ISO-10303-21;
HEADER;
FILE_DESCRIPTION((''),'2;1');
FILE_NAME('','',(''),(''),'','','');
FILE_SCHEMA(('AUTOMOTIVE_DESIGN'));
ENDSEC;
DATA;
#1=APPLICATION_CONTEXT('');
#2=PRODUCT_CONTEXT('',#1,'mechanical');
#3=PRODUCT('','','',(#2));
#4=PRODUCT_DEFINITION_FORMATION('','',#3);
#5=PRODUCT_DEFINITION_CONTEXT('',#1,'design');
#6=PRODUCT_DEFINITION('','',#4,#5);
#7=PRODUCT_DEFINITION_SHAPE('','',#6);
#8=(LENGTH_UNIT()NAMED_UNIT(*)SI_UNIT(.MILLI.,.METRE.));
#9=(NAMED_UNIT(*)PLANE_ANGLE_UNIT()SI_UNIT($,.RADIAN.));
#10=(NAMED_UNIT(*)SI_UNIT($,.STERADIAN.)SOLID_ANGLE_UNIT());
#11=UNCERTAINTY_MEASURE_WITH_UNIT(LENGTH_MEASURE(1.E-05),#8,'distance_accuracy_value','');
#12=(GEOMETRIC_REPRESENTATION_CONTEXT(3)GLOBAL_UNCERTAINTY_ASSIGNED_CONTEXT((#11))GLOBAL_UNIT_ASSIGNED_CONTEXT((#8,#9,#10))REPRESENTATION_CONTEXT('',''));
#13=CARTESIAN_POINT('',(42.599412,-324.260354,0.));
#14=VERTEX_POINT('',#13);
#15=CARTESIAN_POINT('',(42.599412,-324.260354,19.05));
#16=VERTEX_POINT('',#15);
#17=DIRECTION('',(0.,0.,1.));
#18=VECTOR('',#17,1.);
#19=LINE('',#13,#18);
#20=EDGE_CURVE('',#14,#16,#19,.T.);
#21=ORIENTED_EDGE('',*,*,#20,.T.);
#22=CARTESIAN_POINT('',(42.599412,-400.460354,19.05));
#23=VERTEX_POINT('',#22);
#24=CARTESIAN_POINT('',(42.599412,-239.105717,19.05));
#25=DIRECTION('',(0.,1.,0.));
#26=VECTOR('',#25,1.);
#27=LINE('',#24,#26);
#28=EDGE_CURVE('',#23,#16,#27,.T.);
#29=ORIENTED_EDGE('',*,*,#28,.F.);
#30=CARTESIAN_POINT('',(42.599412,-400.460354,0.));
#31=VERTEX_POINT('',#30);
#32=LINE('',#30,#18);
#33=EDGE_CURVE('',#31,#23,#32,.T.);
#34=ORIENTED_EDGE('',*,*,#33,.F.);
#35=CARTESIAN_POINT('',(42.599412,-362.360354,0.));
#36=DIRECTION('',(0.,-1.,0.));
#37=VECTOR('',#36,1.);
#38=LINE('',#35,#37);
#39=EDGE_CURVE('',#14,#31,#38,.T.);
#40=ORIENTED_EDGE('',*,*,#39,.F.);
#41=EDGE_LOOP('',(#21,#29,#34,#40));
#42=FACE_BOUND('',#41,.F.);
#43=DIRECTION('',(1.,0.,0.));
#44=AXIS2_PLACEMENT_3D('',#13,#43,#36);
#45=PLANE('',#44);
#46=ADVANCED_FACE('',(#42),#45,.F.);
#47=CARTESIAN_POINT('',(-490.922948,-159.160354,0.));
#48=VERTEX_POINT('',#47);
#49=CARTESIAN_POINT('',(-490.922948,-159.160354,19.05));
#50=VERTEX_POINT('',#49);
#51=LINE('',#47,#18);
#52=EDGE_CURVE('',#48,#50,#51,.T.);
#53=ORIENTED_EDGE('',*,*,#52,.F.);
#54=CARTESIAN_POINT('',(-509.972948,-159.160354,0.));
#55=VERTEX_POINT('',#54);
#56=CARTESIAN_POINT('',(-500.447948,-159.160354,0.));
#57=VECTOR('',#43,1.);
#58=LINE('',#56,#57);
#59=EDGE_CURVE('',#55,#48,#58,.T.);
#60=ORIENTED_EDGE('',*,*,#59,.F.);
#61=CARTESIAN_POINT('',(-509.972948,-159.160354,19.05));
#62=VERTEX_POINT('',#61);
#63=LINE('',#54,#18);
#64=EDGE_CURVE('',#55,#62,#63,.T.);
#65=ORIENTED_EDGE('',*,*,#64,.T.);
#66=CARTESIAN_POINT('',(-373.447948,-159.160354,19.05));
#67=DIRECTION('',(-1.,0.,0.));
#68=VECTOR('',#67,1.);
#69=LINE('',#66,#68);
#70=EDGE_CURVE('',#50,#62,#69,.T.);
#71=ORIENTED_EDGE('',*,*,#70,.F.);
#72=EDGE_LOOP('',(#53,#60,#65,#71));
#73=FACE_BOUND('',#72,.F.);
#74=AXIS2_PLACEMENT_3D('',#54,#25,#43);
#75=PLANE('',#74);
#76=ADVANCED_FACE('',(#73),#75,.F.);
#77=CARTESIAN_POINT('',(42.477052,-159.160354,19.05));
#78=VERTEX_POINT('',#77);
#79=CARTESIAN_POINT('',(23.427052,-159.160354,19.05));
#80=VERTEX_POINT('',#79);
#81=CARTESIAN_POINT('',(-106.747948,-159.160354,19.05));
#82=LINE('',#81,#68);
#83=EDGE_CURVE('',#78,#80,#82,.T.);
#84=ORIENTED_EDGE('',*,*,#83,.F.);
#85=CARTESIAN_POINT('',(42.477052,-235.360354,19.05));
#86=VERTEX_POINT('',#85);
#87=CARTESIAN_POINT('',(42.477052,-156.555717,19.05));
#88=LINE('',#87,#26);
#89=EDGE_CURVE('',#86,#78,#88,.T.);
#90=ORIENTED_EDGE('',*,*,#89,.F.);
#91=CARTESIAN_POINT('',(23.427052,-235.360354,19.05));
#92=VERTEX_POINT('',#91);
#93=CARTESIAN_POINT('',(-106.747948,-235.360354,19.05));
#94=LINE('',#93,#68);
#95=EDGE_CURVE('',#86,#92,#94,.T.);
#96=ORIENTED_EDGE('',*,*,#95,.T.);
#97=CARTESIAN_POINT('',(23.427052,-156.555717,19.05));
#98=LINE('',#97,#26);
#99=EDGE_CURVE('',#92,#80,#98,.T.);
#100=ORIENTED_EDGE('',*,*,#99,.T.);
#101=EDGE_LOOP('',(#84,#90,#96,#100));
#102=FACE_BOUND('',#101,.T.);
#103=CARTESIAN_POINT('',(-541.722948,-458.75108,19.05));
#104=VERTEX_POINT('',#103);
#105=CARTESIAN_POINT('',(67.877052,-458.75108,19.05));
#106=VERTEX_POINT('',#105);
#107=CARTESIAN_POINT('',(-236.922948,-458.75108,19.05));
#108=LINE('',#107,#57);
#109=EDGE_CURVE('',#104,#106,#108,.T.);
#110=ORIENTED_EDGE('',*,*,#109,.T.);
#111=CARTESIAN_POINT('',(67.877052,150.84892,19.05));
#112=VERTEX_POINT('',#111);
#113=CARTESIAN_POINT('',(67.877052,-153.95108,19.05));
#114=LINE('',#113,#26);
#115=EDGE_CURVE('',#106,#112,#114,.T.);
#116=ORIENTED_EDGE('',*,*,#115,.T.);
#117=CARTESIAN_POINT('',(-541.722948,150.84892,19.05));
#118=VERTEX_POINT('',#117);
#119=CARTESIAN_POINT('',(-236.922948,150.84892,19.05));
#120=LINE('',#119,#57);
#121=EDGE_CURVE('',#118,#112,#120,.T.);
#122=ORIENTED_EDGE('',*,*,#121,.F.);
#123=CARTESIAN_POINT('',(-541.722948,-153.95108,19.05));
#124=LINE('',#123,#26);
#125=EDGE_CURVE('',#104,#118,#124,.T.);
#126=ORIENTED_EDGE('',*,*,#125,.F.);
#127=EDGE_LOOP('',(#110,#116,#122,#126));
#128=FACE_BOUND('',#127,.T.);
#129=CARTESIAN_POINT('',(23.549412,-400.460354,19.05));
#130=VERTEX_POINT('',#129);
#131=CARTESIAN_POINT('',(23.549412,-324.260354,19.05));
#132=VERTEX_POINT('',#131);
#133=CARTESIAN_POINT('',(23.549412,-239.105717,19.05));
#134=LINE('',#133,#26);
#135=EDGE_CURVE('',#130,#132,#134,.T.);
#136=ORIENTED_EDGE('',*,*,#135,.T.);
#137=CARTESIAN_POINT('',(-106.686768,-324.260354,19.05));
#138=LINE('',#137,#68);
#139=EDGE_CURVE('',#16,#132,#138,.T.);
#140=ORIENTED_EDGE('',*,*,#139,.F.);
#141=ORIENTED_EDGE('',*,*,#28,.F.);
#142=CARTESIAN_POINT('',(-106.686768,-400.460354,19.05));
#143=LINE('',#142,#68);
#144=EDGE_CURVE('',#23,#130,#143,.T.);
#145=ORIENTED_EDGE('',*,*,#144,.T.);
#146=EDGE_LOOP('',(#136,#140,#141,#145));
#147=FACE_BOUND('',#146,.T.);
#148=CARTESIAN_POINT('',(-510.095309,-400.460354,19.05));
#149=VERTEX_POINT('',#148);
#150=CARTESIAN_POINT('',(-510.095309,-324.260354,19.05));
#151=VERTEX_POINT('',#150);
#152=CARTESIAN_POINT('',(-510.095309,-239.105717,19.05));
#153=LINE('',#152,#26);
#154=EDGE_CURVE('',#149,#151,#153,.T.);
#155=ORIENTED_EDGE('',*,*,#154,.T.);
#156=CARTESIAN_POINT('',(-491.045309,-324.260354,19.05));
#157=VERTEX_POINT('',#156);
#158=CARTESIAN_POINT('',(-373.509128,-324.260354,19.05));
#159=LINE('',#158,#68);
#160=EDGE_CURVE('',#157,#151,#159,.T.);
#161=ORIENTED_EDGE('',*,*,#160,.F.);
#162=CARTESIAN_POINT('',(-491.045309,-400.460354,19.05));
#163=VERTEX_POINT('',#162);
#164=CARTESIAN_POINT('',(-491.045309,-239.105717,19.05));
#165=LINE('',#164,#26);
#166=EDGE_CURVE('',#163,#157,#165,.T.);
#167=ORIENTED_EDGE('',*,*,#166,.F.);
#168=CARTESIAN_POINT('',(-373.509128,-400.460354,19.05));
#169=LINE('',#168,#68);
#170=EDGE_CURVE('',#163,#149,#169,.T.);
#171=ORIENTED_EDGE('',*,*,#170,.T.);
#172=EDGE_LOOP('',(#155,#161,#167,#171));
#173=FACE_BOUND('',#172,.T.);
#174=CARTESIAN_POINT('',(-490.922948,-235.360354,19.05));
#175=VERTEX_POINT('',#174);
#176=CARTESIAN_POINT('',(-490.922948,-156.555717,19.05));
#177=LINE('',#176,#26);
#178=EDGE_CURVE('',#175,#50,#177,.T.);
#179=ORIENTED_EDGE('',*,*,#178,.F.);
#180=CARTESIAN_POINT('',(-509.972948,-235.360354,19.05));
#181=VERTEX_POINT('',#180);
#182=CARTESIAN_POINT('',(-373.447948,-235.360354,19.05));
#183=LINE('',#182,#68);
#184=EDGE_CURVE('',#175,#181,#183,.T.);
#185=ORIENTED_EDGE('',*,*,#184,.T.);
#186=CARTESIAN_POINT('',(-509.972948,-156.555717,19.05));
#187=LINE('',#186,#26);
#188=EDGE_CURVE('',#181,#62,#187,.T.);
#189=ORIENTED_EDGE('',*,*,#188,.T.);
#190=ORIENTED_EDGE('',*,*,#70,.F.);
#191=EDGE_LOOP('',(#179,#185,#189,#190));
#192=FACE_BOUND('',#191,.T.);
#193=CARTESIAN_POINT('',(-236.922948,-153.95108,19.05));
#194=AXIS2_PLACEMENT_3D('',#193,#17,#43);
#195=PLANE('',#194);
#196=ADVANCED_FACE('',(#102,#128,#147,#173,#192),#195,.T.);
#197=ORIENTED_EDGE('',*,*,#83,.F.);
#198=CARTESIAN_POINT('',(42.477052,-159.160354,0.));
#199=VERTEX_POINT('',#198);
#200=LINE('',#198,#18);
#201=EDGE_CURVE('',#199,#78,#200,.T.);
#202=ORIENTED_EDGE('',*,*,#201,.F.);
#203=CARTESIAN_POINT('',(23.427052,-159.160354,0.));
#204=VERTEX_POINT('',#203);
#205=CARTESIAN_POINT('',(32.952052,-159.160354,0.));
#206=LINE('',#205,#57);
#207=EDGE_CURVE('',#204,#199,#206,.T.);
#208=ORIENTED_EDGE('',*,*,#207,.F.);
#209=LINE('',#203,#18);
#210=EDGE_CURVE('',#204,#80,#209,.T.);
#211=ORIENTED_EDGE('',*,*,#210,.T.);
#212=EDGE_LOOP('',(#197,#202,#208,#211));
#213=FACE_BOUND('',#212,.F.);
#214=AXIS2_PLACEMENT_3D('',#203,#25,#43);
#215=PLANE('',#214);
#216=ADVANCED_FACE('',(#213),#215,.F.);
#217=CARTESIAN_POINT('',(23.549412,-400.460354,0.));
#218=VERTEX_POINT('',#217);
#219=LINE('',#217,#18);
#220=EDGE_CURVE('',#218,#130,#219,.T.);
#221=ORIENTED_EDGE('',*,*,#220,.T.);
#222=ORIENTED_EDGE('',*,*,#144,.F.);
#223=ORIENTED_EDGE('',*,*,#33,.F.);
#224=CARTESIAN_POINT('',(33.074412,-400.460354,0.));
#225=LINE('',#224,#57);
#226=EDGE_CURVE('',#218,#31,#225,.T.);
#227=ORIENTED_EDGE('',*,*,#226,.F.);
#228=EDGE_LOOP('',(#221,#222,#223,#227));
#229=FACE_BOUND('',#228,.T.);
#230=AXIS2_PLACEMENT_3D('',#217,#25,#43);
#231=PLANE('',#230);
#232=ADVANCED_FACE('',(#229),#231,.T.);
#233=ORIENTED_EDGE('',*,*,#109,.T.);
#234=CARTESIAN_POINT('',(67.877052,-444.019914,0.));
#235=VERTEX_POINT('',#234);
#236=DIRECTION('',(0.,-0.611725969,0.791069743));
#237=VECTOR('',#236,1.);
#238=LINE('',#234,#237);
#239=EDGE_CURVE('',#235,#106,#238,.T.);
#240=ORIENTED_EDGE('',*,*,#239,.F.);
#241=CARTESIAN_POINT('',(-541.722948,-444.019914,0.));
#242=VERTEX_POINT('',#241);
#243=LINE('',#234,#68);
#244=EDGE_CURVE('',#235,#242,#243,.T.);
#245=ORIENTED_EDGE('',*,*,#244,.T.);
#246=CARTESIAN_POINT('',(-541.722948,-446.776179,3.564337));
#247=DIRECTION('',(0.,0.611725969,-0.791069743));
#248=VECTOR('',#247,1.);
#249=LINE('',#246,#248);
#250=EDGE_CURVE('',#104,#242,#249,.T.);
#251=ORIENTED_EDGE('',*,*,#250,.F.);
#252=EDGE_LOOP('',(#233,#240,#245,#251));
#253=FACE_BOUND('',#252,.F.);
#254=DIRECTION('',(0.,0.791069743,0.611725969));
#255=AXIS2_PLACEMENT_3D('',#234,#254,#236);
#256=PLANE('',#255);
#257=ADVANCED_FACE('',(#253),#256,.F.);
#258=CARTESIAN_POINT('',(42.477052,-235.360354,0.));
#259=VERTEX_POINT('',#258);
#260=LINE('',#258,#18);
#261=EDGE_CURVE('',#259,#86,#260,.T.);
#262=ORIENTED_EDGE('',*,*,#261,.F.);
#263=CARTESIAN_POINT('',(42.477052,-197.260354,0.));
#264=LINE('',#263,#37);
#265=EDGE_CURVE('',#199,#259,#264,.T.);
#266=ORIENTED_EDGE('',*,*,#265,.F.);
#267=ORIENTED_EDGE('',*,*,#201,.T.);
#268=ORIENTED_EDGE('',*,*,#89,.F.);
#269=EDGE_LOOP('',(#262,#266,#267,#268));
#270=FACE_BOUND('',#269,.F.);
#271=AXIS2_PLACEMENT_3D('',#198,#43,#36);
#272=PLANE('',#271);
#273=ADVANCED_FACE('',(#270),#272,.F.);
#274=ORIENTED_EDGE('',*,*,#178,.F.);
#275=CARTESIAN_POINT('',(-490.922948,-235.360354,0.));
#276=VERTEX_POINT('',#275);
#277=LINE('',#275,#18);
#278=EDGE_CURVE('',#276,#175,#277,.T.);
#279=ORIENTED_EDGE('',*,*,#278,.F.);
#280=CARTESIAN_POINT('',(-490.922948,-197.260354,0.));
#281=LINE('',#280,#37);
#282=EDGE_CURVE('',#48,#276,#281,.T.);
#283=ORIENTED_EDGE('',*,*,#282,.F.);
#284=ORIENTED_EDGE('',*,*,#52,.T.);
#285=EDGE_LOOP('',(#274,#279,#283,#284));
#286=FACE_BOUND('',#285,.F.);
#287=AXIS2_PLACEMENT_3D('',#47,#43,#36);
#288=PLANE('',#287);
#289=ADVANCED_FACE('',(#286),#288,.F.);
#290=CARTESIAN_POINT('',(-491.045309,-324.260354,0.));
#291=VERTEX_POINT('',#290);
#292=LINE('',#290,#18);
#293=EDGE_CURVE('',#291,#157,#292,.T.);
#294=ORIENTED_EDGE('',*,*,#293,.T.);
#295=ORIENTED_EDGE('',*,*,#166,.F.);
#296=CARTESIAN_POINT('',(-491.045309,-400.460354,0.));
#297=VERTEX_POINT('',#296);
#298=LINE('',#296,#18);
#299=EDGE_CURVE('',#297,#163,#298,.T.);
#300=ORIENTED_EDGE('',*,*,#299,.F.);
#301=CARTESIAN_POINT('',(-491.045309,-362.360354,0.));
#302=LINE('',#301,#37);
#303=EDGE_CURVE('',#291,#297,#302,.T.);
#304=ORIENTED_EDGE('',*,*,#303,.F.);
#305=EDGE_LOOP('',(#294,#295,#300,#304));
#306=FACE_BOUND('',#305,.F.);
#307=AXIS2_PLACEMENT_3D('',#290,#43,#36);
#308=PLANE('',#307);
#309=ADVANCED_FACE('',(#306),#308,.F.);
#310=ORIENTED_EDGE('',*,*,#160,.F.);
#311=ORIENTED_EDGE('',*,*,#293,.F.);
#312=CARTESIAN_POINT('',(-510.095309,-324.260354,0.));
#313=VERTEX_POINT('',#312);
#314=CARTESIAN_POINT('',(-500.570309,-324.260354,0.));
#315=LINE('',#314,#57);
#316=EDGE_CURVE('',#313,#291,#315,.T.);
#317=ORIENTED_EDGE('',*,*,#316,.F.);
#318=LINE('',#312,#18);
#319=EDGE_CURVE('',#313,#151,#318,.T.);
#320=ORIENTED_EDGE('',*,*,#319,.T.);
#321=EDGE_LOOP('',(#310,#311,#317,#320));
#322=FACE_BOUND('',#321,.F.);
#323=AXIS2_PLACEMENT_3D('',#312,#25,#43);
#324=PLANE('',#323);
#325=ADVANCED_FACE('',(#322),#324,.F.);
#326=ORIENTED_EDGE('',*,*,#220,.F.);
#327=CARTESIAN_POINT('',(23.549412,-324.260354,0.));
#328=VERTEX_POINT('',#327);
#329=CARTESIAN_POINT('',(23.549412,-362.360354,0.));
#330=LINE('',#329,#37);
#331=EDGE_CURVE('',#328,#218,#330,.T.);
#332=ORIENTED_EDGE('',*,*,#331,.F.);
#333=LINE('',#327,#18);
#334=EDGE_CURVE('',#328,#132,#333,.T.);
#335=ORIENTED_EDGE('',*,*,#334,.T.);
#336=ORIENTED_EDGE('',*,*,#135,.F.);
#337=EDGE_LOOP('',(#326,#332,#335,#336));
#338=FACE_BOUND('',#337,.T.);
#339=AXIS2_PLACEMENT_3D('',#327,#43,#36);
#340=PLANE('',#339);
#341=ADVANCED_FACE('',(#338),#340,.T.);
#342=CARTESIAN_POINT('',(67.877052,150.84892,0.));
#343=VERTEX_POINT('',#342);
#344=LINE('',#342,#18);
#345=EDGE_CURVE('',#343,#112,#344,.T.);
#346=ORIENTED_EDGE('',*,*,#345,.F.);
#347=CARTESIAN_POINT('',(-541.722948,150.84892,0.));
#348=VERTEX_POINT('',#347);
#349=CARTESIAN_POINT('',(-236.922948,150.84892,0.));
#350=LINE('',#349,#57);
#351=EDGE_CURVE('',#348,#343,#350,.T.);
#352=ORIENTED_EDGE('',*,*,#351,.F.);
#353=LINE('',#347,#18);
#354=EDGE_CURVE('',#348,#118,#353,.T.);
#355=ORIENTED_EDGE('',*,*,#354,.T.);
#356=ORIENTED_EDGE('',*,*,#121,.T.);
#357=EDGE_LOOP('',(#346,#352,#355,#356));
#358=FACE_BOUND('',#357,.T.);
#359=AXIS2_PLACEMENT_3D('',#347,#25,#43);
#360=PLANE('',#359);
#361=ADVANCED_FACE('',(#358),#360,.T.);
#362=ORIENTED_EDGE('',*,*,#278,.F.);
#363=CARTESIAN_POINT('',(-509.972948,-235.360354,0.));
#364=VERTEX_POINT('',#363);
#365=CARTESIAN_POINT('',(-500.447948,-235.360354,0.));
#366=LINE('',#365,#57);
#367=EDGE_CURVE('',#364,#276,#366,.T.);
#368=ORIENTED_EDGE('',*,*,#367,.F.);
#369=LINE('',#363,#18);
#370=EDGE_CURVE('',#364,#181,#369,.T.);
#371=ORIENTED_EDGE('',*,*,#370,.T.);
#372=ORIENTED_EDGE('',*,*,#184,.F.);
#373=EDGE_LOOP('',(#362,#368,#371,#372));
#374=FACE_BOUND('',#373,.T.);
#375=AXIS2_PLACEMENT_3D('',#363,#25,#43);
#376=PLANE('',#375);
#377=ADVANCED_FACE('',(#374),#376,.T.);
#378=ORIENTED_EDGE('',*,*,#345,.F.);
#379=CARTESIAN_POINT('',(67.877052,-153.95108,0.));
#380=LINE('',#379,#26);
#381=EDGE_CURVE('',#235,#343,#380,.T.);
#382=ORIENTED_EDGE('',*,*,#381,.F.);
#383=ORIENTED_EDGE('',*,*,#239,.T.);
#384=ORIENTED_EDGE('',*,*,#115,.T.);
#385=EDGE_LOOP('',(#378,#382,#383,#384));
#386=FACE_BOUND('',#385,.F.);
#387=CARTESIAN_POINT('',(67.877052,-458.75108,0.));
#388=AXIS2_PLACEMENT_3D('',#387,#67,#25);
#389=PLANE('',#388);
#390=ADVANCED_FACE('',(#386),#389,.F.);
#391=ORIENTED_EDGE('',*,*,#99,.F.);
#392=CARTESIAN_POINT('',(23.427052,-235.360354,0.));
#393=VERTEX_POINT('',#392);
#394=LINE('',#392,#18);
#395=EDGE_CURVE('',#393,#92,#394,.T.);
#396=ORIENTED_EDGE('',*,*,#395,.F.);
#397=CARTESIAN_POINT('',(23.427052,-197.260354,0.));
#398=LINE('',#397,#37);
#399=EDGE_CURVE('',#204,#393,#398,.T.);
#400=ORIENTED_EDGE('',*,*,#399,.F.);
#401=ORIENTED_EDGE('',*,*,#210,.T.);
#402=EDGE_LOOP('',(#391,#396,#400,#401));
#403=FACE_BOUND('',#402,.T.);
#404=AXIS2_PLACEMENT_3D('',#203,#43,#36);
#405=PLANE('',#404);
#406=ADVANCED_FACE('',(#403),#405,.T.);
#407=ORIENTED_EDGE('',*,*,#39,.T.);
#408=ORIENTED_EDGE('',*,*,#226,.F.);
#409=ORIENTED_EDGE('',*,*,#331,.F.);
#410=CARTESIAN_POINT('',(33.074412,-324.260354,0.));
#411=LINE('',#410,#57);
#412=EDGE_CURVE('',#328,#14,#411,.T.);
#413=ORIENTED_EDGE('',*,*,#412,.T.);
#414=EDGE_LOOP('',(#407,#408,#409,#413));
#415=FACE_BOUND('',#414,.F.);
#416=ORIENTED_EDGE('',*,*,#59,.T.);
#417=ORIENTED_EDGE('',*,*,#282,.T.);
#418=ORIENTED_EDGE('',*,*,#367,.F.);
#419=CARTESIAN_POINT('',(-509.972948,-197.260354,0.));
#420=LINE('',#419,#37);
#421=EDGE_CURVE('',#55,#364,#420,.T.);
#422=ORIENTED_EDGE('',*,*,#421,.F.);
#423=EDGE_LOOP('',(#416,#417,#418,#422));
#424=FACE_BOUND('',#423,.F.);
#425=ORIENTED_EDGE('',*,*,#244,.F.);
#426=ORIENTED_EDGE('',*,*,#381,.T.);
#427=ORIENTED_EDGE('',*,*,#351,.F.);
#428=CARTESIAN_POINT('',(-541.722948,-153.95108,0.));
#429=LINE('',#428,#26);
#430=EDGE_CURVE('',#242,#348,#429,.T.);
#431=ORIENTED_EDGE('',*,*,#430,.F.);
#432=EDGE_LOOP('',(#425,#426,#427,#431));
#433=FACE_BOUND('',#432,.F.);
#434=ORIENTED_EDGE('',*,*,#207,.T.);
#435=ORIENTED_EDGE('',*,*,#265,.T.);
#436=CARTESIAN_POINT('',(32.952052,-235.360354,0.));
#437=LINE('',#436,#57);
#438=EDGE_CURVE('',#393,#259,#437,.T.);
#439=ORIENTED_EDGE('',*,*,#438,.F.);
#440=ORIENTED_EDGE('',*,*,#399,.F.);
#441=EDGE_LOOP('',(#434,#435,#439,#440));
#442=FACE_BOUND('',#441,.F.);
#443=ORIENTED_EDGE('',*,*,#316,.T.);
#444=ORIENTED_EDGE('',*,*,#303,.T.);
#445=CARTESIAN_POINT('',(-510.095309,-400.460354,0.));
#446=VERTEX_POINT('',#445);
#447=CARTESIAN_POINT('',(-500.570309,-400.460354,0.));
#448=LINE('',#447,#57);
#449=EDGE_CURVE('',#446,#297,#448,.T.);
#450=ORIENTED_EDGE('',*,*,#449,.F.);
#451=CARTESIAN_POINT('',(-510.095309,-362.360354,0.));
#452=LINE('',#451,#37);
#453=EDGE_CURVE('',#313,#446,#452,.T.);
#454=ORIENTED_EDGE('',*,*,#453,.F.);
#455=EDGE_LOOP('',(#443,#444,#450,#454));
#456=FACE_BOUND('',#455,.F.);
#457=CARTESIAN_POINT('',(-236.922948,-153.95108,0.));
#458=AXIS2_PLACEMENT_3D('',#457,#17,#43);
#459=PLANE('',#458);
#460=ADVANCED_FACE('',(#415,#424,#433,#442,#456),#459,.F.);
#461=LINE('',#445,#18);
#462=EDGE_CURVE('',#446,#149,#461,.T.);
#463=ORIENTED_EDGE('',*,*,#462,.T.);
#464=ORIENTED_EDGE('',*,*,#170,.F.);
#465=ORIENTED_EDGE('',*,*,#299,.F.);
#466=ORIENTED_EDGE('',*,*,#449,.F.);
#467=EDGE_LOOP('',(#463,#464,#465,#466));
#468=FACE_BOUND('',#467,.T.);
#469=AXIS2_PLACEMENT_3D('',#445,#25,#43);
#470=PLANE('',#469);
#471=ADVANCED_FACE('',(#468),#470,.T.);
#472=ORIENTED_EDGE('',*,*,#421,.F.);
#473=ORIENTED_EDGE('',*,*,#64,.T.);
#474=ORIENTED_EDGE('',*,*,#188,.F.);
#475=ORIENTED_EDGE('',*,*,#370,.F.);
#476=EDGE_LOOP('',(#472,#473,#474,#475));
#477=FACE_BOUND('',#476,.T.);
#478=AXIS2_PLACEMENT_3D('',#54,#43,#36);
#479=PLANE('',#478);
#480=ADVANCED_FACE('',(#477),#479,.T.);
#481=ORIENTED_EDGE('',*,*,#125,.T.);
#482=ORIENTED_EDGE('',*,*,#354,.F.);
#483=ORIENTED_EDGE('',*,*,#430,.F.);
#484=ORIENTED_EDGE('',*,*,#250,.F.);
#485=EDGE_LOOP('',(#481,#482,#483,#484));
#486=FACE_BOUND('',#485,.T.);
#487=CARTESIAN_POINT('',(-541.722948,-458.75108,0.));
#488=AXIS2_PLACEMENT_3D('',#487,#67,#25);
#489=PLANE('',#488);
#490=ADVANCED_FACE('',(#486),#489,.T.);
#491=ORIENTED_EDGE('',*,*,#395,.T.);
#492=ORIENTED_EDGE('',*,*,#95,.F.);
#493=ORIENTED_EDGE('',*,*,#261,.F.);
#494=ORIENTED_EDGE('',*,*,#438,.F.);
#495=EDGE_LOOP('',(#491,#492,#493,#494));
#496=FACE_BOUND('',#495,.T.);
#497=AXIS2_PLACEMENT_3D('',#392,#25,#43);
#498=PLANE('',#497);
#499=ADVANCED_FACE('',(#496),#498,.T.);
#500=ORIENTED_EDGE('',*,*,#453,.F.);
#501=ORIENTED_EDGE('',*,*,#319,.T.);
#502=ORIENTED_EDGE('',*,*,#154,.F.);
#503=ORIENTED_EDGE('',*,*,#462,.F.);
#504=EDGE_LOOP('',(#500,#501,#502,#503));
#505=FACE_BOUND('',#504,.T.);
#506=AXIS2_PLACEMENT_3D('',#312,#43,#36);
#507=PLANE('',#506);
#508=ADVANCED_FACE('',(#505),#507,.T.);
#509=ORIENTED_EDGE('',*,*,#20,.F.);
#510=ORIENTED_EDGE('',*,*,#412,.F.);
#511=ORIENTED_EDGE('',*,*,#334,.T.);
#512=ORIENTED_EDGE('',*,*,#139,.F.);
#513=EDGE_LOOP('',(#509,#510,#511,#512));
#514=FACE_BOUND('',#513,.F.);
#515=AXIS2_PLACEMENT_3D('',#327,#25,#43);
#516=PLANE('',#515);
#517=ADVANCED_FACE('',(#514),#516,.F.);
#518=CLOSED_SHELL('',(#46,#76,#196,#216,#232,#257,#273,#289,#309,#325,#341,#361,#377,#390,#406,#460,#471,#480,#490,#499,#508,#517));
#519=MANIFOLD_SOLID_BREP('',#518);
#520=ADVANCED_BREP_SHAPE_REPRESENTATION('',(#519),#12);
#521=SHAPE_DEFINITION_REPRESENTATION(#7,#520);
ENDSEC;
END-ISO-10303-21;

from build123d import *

# Parameters (mm, degrees)
F0_W     = 609.6
F0_H     = 609.6
F1_DEPTH = 19.05
F4_DEPTH = 747.014
F2_W     = 19.05
F2_H     = 76.2
F5_DEPTH = 25.4


with BuildPart() as f1:
    # F0 (on Top) → F1 (new body)
    with BuildSketch(Plane.XY):
        with Locations((-236.922948, -153.95108)):
            Rectangle(F0_W, F0_H)
    extrude(amount=F1_DEPTH)

    # F3 (on face) → F4 (cut)
    with BuildSketch(Plane.YZ.offset(67.877052)):
        Polygon((-444.019914, 0), (-458.75108, 19.05), (-458.75108, 0), align=None)
    extrude(amount=-F4_DEPTH, mode=Mode.SUBTRACT)

    # F2 (on face) → F5 (cut)
    with BuildSketch(Plane(origin=(0, 0, 0), x_dir=(1, 0, 0), z_dir=(0, 0, -1))):
        with Locations((-500.570309, 362.360354)):
            Rectangle(F2_W, F2_H)
        with Locations((-500.447948, 197.260354)):
            Rectangle(F2_W, F2_H)
        with Locations((32.952052, 197.260354)):
            Rectangle(F2_W, F2_H)
        with Locations((33.074412, 362.360354)):
            Rectangle(F2_W, F2_H)
    extrude(amount=-F5_DEPTH, mode=Mode.SUBTRACT)


solid = f1.part
